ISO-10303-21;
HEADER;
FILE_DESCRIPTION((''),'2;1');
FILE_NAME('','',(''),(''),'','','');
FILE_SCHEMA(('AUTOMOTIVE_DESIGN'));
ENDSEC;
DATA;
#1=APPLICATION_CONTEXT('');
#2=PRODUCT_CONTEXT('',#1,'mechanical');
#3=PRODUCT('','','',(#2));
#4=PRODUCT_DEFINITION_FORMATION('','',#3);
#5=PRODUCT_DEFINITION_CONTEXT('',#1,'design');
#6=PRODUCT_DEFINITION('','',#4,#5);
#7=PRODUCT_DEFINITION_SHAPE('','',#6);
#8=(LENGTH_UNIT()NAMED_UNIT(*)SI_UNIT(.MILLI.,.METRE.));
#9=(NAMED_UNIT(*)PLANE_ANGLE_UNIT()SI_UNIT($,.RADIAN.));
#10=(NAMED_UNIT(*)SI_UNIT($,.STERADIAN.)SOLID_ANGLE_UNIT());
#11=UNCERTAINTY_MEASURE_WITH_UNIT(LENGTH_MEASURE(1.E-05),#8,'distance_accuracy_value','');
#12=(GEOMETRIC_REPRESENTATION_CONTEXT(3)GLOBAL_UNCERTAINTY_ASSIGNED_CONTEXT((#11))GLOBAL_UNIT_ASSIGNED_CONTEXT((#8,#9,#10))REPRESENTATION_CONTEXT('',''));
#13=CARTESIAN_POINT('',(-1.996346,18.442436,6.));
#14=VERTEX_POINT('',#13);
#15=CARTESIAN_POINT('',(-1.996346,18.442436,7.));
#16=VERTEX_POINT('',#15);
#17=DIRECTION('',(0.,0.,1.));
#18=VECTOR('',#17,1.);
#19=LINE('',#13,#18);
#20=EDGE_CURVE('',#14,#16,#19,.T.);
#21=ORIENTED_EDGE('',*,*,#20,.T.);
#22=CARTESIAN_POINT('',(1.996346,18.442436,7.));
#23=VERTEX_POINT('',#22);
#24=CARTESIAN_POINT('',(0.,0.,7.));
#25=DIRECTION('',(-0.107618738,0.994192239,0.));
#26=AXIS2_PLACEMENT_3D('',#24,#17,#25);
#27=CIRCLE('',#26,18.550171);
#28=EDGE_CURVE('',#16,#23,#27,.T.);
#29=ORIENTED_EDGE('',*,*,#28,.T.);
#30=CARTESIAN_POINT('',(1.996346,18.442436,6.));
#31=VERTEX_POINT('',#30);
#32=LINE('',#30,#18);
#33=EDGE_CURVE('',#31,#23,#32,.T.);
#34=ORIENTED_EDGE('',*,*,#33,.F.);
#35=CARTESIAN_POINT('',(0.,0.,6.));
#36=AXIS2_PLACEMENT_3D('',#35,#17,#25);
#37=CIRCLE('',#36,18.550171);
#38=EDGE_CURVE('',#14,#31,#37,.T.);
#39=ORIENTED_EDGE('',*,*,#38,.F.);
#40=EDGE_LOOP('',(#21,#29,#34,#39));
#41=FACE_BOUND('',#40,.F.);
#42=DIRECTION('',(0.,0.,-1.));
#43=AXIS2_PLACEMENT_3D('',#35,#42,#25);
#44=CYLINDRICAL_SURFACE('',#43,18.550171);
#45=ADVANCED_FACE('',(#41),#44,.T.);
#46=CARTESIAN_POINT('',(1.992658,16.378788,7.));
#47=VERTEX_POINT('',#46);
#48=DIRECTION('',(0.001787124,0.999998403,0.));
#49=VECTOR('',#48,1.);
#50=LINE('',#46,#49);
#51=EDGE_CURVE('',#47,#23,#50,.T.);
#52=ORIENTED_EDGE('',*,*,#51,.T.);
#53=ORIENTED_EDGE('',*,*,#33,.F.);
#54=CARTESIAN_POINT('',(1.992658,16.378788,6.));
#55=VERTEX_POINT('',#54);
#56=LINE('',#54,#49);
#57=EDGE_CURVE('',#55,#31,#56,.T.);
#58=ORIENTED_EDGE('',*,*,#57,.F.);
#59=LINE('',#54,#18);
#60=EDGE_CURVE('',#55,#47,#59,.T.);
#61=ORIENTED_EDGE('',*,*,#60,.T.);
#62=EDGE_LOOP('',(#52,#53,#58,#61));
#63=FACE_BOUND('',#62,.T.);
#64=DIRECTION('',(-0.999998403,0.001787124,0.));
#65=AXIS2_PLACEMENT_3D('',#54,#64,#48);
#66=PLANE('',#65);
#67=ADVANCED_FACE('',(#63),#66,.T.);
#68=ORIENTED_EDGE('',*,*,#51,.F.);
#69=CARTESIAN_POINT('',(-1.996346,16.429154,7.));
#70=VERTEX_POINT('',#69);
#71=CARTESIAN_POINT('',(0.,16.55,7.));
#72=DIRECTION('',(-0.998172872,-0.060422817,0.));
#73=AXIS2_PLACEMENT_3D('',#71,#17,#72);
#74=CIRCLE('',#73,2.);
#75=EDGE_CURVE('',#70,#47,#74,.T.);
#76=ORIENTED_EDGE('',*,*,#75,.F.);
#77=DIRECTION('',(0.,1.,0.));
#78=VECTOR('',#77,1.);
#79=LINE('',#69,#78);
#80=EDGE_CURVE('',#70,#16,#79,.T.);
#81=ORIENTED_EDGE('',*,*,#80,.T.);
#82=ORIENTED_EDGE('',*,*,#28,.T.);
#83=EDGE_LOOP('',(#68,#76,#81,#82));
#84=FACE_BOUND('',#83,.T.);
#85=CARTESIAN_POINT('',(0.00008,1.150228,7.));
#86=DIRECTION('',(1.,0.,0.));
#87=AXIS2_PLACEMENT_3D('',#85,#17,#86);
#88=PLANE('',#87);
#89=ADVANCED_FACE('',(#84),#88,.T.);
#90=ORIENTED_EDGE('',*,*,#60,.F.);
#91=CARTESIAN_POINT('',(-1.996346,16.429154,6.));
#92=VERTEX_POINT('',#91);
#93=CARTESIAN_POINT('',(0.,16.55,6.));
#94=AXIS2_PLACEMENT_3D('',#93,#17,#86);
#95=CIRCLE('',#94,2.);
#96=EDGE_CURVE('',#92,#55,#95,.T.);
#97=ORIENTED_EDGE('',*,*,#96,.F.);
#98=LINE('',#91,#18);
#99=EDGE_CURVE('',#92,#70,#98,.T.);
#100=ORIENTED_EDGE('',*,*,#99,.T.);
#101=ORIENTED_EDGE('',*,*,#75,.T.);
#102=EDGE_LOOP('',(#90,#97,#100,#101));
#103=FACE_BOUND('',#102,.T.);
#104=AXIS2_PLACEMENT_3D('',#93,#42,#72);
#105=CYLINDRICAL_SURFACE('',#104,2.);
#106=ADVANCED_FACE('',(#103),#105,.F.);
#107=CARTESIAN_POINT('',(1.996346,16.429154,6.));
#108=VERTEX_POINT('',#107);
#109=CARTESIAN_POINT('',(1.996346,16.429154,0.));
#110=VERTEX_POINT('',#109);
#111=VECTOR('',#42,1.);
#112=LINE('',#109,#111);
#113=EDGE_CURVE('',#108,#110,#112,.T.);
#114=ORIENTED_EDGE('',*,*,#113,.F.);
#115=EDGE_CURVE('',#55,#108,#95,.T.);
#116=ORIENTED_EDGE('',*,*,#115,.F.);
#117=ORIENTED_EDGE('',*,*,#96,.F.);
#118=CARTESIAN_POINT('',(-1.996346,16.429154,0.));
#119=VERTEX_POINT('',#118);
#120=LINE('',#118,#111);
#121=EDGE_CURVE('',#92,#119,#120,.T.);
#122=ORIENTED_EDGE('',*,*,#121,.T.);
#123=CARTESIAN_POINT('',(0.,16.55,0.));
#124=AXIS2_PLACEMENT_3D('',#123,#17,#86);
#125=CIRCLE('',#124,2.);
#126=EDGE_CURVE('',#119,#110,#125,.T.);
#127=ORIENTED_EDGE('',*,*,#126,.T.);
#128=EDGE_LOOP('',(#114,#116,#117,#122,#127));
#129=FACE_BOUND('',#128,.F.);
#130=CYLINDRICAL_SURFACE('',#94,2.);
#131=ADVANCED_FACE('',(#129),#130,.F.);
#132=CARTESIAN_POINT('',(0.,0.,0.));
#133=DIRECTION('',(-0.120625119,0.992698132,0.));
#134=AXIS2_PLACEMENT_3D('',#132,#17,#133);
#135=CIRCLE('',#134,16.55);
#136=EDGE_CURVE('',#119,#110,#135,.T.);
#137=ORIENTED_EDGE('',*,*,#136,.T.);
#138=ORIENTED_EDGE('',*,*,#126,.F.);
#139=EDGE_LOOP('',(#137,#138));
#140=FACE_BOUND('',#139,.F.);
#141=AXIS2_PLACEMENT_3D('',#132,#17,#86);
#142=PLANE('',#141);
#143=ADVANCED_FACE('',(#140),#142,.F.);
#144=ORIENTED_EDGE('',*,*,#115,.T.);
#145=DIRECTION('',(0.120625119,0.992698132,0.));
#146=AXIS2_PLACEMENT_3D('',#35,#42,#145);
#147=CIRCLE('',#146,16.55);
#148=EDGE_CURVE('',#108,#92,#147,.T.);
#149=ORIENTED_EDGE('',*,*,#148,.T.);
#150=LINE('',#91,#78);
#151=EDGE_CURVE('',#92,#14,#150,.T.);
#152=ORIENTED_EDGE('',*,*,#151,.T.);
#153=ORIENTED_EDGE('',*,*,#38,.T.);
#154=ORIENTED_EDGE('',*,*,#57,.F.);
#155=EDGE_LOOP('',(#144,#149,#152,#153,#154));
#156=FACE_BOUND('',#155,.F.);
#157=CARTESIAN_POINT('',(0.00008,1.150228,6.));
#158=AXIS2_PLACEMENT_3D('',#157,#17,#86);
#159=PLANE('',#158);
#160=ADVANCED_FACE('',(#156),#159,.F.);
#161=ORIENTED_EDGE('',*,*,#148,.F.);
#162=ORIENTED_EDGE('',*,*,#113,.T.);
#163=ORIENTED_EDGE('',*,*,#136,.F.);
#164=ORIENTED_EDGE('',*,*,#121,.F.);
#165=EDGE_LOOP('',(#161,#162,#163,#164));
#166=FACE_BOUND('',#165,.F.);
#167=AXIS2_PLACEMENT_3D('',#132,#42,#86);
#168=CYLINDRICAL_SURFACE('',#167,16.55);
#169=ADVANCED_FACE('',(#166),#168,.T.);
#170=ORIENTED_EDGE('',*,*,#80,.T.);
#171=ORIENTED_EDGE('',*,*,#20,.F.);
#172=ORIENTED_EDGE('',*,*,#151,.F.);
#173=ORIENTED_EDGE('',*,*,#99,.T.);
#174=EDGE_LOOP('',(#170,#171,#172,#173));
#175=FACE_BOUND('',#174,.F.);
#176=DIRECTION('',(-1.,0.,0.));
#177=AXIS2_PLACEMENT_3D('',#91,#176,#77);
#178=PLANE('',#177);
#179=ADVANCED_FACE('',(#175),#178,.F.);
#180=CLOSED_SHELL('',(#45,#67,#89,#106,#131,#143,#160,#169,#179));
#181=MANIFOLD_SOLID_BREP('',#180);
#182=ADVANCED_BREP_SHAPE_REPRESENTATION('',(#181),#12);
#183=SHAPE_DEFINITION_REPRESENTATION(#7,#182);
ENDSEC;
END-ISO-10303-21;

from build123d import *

# Parameters (mm, degrees)
SKETCH_R     = 16.55
PAD_DEPTH    = 6
SKETCH001_R  = 2
POCKET_DEPTH = 6.001
PAD001_DEPTH = 1


with BuildPart() as part:
    # Sketch → Pad (new body)
    with BuildSketch(Plane.XY):
        Circle(SKETCH_R)
    extrude(amount=PAD_DEPTH)

    # Sketch001 (on Face3 of Pad) → Pocket (cut, through all)
    with BuildSketch(Plane.XY.offset(6)):
        with Locations((0, 16.55)):
            Circle(SKETCH001_R)
    extrude(amount=-POCKET_DEPTH, mode=Mode.SUBTRACT)

    # Sketch002 (on Face4 of Pocket) → Pad001 (join)
    with BuildSketch(Plane.XY.offset(6)):
        with BuildLine():
            ThreePointArc((-1.996346, 18.442436), (0, -18.550171), (1.996346, 18.442436))
            Line((1.992658, 16.378788), (1.996346, 18.442436))
            ThreePointArc((-1.996346, 16.429154), (-0.025251, 14.550159), (1.992658, 16.378788))
            Line((-1.996346, 16.429154), (-1.996346, 18.442436))
        make_face()
    extrude(amount=PAD001_DEPTH)


solid = part.part
